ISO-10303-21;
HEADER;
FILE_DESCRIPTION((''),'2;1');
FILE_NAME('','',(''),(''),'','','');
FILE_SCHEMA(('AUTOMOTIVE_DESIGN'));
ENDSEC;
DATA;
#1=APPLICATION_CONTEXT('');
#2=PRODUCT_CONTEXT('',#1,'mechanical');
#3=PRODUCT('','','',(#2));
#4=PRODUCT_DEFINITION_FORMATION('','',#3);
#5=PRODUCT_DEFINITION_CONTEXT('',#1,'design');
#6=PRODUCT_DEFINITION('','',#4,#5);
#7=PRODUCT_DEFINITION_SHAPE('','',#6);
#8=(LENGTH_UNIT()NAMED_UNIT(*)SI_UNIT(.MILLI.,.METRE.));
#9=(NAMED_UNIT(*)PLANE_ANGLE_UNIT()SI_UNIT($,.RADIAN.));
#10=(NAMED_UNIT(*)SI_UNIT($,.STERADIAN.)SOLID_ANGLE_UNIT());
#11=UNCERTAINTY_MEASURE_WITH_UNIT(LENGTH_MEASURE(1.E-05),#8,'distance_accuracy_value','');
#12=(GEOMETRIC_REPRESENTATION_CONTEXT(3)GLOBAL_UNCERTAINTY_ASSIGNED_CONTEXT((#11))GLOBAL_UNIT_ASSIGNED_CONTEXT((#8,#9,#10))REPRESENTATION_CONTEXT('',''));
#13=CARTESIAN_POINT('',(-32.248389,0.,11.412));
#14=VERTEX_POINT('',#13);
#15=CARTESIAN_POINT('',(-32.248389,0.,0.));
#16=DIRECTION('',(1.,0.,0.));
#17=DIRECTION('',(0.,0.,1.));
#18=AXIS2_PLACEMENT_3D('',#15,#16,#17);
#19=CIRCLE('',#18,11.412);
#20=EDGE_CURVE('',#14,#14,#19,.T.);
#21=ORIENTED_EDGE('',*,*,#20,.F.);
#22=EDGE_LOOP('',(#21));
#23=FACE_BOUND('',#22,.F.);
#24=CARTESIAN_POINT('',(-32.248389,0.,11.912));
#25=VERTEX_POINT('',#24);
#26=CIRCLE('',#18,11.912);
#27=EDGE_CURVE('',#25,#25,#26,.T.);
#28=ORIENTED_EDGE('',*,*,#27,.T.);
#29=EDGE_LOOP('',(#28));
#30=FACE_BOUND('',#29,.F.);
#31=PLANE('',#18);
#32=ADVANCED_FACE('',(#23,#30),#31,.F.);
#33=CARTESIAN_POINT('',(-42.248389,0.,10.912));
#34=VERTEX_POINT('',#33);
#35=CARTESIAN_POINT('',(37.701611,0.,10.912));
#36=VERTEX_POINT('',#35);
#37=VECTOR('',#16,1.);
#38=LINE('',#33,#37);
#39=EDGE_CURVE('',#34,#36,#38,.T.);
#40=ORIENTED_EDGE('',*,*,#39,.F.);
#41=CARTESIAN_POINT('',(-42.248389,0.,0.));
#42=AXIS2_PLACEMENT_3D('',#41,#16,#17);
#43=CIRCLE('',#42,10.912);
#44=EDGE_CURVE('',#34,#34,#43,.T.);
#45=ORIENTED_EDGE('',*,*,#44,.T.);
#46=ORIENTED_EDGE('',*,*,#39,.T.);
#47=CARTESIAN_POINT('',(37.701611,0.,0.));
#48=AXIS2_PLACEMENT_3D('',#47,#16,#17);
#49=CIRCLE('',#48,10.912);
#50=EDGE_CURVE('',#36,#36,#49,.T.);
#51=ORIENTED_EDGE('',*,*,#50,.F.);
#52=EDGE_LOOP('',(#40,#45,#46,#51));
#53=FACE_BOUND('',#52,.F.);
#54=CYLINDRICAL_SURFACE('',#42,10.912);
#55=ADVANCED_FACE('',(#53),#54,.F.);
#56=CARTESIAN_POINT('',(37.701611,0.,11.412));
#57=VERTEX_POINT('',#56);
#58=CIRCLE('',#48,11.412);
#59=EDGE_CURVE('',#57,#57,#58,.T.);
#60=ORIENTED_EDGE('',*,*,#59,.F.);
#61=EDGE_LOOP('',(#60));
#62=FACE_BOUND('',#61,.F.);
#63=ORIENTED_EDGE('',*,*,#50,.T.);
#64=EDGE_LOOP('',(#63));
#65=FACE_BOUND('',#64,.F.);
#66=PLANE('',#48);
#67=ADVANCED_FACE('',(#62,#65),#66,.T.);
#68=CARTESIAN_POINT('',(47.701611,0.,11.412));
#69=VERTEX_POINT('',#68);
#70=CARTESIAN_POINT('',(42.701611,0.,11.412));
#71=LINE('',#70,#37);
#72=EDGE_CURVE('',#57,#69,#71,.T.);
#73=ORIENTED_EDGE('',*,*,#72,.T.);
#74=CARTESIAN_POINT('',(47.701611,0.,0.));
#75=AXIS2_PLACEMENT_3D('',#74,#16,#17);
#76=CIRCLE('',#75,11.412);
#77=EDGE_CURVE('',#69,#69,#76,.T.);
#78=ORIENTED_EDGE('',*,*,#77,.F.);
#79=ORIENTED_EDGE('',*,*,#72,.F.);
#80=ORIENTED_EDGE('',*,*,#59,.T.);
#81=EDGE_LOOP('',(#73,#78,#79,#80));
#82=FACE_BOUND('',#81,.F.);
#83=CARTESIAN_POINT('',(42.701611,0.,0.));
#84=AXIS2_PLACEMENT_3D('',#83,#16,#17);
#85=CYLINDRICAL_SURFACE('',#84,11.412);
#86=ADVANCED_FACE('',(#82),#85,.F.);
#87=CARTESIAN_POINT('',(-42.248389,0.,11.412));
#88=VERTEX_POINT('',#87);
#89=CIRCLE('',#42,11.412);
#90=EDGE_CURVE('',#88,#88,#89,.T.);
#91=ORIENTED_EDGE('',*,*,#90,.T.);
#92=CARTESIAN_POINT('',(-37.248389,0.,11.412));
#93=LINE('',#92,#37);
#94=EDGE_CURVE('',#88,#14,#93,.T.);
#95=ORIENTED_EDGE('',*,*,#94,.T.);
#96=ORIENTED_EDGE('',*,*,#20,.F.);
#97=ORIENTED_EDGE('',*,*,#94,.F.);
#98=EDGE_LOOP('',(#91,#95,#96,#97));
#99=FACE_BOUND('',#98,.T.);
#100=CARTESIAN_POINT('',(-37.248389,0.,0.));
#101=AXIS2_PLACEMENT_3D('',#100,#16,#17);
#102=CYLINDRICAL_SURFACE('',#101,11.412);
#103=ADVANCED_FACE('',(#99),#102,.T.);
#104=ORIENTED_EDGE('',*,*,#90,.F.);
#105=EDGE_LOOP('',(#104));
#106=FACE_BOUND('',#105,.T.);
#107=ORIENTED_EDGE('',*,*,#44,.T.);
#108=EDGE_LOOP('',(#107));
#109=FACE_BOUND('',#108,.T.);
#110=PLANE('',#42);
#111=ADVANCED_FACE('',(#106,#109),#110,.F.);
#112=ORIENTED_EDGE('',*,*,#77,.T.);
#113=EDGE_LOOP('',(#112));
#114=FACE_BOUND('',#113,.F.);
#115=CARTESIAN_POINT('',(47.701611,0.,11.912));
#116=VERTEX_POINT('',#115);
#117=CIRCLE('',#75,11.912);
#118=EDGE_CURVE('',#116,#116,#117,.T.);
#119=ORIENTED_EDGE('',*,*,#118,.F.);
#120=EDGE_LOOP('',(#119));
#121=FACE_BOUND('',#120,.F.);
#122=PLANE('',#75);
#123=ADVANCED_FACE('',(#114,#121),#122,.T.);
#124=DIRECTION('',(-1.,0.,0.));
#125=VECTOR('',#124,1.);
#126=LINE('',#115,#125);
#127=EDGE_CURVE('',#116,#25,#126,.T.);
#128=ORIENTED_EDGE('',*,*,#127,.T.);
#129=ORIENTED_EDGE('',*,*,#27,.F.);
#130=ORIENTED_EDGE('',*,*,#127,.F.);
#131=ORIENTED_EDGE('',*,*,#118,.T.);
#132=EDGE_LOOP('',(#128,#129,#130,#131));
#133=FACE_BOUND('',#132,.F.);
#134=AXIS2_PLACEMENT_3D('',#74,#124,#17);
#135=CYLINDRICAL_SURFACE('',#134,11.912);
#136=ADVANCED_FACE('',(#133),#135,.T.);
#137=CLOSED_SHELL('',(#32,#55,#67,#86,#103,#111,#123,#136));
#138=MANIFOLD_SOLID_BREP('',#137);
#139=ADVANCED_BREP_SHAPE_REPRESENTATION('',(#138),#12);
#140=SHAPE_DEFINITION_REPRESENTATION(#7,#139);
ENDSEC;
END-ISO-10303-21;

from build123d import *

# Parameters (mm, degrees)
F0_W = 10
F0_H = 0.5


with BuildPart() as f1:
    # F0 (on Front) → F1 (revolve)
    with BuildSketch(Plane.XZ):
        Polygon((0, 11.912), (-32.248389, 11.912), (-32.248389, 11.412), (-32.248389, 10.912), (0, 10.912), align=None)
        Polygon((37.701611, 11.912), (0, 11.912), (0, 10.912), (37.701611, 10.912), (37.701611, 11.412), align=None)
        with Locations((-37.248389, 11.162)):
            Rectangle(F0_W, F0_H)
        with Locations((42.701611, 11.662)):
            Rectangle(F0_W, F0_H)
    revolve(axis=Axis((18.951043, 0, 0), (1, 0, 0)))


solid = f1.part
